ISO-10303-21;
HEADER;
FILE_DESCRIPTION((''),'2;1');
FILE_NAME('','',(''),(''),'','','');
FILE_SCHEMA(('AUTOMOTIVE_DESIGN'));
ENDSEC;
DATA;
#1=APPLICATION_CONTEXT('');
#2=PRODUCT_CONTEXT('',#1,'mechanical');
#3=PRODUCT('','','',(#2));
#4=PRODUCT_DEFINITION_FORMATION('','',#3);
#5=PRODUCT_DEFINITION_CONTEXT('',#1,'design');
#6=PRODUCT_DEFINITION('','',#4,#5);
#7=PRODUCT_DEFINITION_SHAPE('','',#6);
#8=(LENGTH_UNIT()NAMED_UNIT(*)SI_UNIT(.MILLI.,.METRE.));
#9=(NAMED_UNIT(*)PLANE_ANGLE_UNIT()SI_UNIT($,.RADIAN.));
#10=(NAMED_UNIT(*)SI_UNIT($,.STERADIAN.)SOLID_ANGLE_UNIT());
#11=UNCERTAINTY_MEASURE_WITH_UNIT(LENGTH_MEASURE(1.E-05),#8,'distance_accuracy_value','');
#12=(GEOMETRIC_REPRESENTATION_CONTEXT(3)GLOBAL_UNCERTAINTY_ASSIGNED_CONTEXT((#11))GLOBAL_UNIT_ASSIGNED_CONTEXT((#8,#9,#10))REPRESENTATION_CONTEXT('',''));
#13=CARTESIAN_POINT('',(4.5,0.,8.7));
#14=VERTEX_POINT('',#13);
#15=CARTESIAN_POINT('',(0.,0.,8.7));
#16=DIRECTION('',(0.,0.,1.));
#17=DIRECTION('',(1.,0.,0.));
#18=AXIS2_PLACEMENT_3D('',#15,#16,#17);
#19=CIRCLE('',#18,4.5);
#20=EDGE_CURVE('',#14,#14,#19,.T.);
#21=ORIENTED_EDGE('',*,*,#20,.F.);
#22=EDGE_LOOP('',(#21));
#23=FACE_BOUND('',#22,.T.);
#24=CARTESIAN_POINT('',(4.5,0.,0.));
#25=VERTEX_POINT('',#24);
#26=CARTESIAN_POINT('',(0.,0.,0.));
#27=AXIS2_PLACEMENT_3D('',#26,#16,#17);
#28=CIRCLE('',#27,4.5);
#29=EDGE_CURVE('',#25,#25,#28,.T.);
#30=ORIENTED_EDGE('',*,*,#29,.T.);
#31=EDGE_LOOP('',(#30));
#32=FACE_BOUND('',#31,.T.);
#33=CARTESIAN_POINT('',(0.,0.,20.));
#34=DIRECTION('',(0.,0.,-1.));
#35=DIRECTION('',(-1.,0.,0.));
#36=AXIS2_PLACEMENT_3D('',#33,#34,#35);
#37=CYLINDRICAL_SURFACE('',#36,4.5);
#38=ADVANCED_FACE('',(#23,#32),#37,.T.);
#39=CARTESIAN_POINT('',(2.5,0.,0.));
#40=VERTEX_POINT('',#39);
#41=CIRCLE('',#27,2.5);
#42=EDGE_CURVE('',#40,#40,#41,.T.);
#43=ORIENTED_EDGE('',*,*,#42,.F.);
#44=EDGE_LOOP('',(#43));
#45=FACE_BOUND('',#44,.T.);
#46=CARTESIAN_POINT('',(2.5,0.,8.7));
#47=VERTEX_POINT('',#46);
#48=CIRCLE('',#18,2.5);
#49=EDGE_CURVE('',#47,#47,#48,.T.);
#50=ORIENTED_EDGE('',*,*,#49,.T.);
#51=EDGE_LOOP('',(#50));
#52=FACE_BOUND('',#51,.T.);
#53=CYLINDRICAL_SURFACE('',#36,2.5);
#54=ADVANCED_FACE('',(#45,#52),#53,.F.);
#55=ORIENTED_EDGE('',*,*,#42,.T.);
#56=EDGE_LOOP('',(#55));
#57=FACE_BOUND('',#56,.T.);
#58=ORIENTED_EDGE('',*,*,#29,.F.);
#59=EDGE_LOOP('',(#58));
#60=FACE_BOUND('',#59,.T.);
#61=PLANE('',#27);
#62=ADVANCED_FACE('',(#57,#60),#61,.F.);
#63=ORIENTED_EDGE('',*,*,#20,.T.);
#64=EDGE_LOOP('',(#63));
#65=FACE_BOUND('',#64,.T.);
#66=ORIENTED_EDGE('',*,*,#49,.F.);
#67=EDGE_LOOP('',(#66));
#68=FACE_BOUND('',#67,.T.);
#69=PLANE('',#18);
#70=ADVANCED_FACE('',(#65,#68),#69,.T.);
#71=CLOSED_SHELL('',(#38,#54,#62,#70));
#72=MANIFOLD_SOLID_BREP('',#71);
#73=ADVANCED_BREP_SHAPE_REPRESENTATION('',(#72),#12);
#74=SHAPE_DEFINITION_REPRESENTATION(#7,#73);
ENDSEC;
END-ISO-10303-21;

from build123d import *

# Parameters (mm, degrees)
SKETCH2_R           = 4.5
SKETCH2_R_2         = 2.5
BOSS_EXTRUDE1_DEPTH = 20
CUT_EXTRUDE1_START  = -11.3
SKETCH3_R           = 4.5
CUT_EXTRUDE1_DEPTH  = 11.3


with BuildPart() as part:
    # Sketch2 → Boss-Extrude1 (new body)
    with BuildSketch(Plane.XY):
        Circle(SKETCH2_R)
        Circle(SKETCH2_R_2, mode=Mode.SUBTRACT)
    extrude(amount=BOSS_EXTRUDE1_DEPTH)

    # Sketch3 → Cut-Extrude1 (cut)
    with BuildSketch(Plane.XY.offset(20).offset(CUT_EXTRUDE1_START)):
        Circle(SKETCH3_R)
    extrude(amount=CUT_EXTRUDE1_DEPTH, mode=Mode.SUBTRACT)


solid = part.part
